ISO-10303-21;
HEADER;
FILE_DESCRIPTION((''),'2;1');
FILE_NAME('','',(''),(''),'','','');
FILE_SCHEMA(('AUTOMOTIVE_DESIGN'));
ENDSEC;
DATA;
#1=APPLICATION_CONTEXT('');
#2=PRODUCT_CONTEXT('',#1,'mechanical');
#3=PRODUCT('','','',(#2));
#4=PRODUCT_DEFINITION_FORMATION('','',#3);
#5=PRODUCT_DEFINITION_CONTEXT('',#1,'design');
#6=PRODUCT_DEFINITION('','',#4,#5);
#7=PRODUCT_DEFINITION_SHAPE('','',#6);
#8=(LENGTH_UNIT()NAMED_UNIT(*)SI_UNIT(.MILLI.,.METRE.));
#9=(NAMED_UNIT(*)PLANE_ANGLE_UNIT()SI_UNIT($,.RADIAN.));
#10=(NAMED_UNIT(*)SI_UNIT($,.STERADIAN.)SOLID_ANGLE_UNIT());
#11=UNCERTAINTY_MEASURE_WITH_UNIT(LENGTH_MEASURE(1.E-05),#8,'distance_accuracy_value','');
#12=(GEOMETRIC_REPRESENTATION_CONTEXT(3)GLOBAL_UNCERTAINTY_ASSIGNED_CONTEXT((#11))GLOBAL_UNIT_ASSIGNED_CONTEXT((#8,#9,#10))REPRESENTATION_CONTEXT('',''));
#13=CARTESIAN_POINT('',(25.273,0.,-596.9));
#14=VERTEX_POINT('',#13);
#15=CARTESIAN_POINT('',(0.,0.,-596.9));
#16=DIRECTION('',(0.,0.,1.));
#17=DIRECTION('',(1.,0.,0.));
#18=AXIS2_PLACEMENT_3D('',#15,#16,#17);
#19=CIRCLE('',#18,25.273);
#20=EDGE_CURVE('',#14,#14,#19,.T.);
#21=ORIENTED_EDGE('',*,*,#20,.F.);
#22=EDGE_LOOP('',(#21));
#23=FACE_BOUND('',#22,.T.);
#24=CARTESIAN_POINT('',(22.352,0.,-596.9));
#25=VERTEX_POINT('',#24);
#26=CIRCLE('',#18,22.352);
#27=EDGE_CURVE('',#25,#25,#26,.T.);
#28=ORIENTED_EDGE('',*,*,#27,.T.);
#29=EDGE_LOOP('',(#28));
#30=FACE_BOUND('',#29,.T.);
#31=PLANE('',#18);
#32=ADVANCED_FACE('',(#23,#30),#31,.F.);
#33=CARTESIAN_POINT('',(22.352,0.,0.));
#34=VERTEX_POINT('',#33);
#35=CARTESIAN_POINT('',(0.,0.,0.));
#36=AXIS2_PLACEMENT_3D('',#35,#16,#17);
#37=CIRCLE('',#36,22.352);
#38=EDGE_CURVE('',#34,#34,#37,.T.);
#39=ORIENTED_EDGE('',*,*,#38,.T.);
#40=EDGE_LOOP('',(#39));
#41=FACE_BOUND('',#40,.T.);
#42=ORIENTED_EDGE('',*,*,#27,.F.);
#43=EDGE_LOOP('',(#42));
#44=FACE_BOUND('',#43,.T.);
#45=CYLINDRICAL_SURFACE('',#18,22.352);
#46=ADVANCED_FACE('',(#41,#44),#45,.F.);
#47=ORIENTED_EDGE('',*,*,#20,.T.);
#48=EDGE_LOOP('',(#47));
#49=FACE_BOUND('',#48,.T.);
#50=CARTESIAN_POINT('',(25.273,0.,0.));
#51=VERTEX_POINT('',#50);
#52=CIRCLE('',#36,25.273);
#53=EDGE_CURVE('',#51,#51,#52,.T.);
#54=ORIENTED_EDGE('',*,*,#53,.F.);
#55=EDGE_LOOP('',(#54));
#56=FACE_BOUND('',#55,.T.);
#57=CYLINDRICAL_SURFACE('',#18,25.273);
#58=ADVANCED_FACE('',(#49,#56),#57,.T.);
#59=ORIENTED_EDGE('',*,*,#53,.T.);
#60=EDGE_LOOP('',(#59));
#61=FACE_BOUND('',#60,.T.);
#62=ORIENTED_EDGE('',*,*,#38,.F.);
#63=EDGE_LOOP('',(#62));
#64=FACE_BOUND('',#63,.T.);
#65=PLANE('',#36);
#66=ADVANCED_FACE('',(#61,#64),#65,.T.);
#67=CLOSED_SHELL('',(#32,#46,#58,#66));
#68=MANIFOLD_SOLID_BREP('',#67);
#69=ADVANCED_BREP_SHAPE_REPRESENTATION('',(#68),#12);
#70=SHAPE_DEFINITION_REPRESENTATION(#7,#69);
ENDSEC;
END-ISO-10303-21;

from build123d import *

# Parameters (mm, degrees)
SKETCH1_R          = 25.273
SKETCH1_R_2        = 22.352
BASE_EXTRUDE_DEPTH = 596.9


with BuildPart() as part:
    # Sketch1 → Base-Extrude (new body)
    with BuildSketch(Plane.XY):
        Circle(SKETCH1_R)
        Circle(SKETCH1_R_2, mode=Mode.SUBTRACT)
    extrude(amount=-BASE_EXTRUDE_DEPTH)


solid = part.part
